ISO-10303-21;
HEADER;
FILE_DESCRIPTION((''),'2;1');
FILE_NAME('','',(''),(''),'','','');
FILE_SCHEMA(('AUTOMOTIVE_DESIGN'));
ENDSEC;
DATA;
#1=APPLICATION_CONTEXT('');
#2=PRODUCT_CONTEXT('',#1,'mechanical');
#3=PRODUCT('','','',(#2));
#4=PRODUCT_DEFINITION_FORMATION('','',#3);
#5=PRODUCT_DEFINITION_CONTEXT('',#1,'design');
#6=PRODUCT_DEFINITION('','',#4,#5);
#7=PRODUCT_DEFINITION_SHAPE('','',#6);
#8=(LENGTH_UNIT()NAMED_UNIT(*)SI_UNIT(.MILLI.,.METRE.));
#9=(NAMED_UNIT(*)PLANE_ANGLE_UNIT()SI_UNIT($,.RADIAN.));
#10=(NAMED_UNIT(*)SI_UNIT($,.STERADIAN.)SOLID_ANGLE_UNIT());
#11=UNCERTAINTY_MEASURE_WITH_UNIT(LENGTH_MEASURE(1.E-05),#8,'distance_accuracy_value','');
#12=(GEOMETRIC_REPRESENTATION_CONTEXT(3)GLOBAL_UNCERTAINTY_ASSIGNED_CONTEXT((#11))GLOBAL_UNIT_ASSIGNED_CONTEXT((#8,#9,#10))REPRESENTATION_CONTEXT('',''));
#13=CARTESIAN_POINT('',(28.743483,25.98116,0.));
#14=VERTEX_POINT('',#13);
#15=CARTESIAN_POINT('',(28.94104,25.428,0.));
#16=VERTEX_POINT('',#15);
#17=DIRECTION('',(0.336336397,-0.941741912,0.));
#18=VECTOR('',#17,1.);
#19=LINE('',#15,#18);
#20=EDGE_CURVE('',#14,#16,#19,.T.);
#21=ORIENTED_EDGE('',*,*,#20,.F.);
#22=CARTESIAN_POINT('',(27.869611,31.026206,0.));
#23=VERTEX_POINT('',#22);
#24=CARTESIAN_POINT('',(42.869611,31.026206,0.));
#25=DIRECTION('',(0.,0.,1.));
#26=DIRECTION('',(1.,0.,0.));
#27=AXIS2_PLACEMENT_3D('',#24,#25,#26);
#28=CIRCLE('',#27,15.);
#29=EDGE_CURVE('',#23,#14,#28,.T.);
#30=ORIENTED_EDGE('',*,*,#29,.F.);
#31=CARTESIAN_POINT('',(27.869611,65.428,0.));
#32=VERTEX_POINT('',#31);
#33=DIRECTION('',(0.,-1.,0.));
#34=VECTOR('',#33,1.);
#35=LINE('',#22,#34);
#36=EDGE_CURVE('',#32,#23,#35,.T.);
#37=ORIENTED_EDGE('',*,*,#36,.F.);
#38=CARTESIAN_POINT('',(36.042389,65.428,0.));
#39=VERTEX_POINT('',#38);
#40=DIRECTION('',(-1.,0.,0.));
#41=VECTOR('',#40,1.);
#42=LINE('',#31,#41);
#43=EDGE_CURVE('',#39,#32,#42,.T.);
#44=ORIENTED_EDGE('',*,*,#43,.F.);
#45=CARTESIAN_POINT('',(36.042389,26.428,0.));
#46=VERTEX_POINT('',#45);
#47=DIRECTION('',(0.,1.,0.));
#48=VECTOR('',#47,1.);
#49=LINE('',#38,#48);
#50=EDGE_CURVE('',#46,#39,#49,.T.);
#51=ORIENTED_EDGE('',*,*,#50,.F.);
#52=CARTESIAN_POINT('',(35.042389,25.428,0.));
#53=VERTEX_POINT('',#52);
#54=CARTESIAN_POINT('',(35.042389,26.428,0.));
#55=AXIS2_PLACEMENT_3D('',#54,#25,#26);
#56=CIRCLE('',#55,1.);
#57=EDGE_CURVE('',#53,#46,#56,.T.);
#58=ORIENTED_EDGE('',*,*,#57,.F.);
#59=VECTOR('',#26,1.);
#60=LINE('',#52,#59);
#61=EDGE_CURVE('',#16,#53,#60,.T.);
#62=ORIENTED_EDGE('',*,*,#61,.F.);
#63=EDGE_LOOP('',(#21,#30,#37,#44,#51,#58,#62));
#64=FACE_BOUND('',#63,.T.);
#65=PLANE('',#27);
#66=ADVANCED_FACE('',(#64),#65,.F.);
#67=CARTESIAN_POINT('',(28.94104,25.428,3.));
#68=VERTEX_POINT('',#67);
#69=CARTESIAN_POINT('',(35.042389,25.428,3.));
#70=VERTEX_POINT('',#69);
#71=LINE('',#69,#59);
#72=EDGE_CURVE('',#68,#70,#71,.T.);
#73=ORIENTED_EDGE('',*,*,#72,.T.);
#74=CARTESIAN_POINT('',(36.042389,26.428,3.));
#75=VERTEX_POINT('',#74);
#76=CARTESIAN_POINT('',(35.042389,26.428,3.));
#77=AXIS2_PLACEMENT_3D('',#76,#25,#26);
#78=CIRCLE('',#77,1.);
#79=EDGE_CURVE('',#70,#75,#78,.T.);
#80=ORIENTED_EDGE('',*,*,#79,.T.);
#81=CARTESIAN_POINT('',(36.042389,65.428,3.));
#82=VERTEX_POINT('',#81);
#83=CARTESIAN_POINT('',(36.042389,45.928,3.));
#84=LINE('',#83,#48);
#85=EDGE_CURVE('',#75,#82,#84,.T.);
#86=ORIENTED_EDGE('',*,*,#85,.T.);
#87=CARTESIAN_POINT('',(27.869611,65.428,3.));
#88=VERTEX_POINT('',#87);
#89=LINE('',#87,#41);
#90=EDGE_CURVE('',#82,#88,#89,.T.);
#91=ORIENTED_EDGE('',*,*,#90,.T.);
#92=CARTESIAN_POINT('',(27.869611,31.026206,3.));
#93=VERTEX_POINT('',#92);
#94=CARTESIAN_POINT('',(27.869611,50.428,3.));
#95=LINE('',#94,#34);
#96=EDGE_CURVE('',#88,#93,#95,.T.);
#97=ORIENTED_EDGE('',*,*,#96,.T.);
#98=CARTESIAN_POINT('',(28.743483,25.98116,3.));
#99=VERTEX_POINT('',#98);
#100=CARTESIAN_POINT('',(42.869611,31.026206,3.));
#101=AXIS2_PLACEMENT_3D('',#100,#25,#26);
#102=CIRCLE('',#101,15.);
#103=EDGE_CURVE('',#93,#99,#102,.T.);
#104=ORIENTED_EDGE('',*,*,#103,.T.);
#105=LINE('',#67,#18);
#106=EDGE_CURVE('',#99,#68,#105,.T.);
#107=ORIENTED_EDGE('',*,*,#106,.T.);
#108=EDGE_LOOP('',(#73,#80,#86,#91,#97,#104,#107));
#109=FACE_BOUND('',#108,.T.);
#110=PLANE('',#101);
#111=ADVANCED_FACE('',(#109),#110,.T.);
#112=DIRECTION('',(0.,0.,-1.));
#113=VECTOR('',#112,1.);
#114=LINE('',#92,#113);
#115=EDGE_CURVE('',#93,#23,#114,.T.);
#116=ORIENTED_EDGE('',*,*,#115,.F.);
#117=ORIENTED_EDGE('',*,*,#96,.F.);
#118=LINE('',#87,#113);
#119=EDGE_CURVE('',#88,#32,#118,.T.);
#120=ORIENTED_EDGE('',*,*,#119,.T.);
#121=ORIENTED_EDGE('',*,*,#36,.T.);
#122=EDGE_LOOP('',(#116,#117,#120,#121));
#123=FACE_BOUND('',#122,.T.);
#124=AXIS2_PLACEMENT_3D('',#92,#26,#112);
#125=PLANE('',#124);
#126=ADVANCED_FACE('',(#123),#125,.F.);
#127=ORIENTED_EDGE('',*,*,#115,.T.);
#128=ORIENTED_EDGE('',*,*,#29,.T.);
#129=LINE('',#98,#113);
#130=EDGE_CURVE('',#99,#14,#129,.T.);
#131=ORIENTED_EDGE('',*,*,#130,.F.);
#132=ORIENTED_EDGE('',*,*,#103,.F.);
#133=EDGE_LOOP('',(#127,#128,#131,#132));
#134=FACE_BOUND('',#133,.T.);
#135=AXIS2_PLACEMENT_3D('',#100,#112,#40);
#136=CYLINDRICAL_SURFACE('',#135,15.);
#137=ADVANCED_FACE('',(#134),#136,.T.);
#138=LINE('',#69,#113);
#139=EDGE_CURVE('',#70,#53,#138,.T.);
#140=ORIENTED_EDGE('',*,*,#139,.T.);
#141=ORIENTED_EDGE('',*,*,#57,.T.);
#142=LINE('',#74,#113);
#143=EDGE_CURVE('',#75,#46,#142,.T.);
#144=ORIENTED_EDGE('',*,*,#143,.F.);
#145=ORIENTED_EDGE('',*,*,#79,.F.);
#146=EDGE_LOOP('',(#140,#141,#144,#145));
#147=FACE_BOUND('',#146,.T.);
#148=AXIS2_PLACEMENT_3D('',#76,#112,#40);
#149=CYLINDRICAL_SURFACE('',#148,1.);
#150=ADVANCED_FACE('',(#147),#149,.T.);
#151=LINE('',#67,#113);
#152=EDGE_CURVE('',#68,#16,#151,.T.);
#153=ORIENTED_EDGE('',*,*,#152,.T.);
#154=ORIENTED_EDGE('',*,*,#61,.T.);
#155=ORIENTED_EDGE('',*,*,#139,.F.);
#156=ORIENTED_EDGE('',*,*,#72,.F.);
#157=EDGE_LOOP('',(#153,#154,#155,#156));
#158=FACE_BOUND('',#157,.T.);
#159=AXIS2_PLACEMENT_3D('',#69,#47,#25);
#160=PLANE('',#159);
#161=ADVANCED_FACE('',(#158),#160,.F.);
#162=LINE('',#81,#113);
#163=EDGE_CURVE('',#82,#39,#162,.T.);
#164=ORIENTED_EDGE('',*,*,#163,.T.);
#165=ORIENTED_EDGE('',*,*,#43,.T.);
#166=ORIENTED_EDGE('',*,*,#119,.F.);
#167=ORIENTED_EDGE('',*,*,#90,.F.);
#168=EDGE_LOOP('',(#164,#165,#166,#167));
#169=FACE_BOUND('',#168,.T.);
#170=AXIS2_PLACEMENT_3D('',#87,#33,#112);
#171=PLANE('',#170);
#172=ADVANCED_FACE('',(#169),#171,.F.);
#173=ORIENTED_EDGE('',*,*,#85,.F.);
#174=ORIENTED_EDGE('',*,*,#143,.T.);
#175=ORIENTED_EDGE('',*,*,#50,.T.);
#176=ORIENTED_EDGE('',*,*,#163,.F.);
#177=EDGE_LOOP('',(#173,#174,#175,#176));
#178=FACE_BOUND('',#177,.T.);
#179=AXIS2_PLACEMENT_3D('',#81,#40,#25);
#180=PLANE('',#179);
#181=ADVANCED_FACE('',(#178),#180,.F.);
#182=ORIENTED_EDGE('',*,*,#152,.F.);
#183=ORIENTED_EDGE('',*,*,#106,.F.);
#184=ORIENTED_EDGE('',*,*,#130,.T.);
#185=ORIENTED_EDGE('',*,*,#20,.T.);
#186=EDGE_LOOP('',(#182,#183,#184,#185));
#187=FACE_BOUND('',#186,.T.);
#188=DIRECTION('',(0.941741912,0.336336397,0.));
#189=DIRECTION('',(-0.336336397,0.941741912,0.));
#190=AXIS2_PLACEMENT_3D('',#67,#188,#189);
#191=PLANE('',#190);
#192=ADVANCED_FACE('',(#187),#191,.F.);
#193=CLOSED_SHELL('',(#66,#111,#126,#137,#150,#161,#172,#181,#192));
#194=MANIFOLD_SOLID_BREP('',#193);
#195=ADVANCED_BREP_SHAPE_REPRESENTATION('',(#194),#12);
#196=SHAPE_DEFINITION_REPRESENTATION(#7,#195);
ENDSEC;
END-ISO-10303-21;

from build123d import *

# Parameters (mm, degrees)
SALIENTE_EXTRUIR1_DEPTH = 3


with BuildPart() as part:
    # Model → Saliente-Extruir1 (new body)
    with BuildSketch(Plane.XY):
        with BuildLine():
            Line((27.869611368, 31.026206242), (27.869611368, 41.227103121))
            Line((27.869611368, 41.227103121), (27.869611368, 50.428))
            Line((27.869611368, 50.428), (27.869611368, 65.428))
            Line((27.869611368, 65.428), (36.042388632, 65.428))
            Line((36.042388632, 65.428), (36.042388632, 64.428))
            Line((36.042388632, 64.428), (36.042388632, 45.928))
            Line((36.042388632, 45.928), (36.042388632, 26.428))
            ThreePointArc((36.042388632, 26.428), (35.749495414, 25.720893219), (35.042388632, 25.428))
            Line((35.042388632, 25.428), (28.941039939, 25.428))
            Line((28.941039939, 25.428), (28.743482694, 25.981160287))
            ThreePointArc((28.743482694, 25.981160287), (28.089693741, 28.466121293), (27.869611368, 31.026206242))
        make_face()
    extrude(amount=SALIENTE_EXTRUIR1_DEPTH)


solid = part.part
